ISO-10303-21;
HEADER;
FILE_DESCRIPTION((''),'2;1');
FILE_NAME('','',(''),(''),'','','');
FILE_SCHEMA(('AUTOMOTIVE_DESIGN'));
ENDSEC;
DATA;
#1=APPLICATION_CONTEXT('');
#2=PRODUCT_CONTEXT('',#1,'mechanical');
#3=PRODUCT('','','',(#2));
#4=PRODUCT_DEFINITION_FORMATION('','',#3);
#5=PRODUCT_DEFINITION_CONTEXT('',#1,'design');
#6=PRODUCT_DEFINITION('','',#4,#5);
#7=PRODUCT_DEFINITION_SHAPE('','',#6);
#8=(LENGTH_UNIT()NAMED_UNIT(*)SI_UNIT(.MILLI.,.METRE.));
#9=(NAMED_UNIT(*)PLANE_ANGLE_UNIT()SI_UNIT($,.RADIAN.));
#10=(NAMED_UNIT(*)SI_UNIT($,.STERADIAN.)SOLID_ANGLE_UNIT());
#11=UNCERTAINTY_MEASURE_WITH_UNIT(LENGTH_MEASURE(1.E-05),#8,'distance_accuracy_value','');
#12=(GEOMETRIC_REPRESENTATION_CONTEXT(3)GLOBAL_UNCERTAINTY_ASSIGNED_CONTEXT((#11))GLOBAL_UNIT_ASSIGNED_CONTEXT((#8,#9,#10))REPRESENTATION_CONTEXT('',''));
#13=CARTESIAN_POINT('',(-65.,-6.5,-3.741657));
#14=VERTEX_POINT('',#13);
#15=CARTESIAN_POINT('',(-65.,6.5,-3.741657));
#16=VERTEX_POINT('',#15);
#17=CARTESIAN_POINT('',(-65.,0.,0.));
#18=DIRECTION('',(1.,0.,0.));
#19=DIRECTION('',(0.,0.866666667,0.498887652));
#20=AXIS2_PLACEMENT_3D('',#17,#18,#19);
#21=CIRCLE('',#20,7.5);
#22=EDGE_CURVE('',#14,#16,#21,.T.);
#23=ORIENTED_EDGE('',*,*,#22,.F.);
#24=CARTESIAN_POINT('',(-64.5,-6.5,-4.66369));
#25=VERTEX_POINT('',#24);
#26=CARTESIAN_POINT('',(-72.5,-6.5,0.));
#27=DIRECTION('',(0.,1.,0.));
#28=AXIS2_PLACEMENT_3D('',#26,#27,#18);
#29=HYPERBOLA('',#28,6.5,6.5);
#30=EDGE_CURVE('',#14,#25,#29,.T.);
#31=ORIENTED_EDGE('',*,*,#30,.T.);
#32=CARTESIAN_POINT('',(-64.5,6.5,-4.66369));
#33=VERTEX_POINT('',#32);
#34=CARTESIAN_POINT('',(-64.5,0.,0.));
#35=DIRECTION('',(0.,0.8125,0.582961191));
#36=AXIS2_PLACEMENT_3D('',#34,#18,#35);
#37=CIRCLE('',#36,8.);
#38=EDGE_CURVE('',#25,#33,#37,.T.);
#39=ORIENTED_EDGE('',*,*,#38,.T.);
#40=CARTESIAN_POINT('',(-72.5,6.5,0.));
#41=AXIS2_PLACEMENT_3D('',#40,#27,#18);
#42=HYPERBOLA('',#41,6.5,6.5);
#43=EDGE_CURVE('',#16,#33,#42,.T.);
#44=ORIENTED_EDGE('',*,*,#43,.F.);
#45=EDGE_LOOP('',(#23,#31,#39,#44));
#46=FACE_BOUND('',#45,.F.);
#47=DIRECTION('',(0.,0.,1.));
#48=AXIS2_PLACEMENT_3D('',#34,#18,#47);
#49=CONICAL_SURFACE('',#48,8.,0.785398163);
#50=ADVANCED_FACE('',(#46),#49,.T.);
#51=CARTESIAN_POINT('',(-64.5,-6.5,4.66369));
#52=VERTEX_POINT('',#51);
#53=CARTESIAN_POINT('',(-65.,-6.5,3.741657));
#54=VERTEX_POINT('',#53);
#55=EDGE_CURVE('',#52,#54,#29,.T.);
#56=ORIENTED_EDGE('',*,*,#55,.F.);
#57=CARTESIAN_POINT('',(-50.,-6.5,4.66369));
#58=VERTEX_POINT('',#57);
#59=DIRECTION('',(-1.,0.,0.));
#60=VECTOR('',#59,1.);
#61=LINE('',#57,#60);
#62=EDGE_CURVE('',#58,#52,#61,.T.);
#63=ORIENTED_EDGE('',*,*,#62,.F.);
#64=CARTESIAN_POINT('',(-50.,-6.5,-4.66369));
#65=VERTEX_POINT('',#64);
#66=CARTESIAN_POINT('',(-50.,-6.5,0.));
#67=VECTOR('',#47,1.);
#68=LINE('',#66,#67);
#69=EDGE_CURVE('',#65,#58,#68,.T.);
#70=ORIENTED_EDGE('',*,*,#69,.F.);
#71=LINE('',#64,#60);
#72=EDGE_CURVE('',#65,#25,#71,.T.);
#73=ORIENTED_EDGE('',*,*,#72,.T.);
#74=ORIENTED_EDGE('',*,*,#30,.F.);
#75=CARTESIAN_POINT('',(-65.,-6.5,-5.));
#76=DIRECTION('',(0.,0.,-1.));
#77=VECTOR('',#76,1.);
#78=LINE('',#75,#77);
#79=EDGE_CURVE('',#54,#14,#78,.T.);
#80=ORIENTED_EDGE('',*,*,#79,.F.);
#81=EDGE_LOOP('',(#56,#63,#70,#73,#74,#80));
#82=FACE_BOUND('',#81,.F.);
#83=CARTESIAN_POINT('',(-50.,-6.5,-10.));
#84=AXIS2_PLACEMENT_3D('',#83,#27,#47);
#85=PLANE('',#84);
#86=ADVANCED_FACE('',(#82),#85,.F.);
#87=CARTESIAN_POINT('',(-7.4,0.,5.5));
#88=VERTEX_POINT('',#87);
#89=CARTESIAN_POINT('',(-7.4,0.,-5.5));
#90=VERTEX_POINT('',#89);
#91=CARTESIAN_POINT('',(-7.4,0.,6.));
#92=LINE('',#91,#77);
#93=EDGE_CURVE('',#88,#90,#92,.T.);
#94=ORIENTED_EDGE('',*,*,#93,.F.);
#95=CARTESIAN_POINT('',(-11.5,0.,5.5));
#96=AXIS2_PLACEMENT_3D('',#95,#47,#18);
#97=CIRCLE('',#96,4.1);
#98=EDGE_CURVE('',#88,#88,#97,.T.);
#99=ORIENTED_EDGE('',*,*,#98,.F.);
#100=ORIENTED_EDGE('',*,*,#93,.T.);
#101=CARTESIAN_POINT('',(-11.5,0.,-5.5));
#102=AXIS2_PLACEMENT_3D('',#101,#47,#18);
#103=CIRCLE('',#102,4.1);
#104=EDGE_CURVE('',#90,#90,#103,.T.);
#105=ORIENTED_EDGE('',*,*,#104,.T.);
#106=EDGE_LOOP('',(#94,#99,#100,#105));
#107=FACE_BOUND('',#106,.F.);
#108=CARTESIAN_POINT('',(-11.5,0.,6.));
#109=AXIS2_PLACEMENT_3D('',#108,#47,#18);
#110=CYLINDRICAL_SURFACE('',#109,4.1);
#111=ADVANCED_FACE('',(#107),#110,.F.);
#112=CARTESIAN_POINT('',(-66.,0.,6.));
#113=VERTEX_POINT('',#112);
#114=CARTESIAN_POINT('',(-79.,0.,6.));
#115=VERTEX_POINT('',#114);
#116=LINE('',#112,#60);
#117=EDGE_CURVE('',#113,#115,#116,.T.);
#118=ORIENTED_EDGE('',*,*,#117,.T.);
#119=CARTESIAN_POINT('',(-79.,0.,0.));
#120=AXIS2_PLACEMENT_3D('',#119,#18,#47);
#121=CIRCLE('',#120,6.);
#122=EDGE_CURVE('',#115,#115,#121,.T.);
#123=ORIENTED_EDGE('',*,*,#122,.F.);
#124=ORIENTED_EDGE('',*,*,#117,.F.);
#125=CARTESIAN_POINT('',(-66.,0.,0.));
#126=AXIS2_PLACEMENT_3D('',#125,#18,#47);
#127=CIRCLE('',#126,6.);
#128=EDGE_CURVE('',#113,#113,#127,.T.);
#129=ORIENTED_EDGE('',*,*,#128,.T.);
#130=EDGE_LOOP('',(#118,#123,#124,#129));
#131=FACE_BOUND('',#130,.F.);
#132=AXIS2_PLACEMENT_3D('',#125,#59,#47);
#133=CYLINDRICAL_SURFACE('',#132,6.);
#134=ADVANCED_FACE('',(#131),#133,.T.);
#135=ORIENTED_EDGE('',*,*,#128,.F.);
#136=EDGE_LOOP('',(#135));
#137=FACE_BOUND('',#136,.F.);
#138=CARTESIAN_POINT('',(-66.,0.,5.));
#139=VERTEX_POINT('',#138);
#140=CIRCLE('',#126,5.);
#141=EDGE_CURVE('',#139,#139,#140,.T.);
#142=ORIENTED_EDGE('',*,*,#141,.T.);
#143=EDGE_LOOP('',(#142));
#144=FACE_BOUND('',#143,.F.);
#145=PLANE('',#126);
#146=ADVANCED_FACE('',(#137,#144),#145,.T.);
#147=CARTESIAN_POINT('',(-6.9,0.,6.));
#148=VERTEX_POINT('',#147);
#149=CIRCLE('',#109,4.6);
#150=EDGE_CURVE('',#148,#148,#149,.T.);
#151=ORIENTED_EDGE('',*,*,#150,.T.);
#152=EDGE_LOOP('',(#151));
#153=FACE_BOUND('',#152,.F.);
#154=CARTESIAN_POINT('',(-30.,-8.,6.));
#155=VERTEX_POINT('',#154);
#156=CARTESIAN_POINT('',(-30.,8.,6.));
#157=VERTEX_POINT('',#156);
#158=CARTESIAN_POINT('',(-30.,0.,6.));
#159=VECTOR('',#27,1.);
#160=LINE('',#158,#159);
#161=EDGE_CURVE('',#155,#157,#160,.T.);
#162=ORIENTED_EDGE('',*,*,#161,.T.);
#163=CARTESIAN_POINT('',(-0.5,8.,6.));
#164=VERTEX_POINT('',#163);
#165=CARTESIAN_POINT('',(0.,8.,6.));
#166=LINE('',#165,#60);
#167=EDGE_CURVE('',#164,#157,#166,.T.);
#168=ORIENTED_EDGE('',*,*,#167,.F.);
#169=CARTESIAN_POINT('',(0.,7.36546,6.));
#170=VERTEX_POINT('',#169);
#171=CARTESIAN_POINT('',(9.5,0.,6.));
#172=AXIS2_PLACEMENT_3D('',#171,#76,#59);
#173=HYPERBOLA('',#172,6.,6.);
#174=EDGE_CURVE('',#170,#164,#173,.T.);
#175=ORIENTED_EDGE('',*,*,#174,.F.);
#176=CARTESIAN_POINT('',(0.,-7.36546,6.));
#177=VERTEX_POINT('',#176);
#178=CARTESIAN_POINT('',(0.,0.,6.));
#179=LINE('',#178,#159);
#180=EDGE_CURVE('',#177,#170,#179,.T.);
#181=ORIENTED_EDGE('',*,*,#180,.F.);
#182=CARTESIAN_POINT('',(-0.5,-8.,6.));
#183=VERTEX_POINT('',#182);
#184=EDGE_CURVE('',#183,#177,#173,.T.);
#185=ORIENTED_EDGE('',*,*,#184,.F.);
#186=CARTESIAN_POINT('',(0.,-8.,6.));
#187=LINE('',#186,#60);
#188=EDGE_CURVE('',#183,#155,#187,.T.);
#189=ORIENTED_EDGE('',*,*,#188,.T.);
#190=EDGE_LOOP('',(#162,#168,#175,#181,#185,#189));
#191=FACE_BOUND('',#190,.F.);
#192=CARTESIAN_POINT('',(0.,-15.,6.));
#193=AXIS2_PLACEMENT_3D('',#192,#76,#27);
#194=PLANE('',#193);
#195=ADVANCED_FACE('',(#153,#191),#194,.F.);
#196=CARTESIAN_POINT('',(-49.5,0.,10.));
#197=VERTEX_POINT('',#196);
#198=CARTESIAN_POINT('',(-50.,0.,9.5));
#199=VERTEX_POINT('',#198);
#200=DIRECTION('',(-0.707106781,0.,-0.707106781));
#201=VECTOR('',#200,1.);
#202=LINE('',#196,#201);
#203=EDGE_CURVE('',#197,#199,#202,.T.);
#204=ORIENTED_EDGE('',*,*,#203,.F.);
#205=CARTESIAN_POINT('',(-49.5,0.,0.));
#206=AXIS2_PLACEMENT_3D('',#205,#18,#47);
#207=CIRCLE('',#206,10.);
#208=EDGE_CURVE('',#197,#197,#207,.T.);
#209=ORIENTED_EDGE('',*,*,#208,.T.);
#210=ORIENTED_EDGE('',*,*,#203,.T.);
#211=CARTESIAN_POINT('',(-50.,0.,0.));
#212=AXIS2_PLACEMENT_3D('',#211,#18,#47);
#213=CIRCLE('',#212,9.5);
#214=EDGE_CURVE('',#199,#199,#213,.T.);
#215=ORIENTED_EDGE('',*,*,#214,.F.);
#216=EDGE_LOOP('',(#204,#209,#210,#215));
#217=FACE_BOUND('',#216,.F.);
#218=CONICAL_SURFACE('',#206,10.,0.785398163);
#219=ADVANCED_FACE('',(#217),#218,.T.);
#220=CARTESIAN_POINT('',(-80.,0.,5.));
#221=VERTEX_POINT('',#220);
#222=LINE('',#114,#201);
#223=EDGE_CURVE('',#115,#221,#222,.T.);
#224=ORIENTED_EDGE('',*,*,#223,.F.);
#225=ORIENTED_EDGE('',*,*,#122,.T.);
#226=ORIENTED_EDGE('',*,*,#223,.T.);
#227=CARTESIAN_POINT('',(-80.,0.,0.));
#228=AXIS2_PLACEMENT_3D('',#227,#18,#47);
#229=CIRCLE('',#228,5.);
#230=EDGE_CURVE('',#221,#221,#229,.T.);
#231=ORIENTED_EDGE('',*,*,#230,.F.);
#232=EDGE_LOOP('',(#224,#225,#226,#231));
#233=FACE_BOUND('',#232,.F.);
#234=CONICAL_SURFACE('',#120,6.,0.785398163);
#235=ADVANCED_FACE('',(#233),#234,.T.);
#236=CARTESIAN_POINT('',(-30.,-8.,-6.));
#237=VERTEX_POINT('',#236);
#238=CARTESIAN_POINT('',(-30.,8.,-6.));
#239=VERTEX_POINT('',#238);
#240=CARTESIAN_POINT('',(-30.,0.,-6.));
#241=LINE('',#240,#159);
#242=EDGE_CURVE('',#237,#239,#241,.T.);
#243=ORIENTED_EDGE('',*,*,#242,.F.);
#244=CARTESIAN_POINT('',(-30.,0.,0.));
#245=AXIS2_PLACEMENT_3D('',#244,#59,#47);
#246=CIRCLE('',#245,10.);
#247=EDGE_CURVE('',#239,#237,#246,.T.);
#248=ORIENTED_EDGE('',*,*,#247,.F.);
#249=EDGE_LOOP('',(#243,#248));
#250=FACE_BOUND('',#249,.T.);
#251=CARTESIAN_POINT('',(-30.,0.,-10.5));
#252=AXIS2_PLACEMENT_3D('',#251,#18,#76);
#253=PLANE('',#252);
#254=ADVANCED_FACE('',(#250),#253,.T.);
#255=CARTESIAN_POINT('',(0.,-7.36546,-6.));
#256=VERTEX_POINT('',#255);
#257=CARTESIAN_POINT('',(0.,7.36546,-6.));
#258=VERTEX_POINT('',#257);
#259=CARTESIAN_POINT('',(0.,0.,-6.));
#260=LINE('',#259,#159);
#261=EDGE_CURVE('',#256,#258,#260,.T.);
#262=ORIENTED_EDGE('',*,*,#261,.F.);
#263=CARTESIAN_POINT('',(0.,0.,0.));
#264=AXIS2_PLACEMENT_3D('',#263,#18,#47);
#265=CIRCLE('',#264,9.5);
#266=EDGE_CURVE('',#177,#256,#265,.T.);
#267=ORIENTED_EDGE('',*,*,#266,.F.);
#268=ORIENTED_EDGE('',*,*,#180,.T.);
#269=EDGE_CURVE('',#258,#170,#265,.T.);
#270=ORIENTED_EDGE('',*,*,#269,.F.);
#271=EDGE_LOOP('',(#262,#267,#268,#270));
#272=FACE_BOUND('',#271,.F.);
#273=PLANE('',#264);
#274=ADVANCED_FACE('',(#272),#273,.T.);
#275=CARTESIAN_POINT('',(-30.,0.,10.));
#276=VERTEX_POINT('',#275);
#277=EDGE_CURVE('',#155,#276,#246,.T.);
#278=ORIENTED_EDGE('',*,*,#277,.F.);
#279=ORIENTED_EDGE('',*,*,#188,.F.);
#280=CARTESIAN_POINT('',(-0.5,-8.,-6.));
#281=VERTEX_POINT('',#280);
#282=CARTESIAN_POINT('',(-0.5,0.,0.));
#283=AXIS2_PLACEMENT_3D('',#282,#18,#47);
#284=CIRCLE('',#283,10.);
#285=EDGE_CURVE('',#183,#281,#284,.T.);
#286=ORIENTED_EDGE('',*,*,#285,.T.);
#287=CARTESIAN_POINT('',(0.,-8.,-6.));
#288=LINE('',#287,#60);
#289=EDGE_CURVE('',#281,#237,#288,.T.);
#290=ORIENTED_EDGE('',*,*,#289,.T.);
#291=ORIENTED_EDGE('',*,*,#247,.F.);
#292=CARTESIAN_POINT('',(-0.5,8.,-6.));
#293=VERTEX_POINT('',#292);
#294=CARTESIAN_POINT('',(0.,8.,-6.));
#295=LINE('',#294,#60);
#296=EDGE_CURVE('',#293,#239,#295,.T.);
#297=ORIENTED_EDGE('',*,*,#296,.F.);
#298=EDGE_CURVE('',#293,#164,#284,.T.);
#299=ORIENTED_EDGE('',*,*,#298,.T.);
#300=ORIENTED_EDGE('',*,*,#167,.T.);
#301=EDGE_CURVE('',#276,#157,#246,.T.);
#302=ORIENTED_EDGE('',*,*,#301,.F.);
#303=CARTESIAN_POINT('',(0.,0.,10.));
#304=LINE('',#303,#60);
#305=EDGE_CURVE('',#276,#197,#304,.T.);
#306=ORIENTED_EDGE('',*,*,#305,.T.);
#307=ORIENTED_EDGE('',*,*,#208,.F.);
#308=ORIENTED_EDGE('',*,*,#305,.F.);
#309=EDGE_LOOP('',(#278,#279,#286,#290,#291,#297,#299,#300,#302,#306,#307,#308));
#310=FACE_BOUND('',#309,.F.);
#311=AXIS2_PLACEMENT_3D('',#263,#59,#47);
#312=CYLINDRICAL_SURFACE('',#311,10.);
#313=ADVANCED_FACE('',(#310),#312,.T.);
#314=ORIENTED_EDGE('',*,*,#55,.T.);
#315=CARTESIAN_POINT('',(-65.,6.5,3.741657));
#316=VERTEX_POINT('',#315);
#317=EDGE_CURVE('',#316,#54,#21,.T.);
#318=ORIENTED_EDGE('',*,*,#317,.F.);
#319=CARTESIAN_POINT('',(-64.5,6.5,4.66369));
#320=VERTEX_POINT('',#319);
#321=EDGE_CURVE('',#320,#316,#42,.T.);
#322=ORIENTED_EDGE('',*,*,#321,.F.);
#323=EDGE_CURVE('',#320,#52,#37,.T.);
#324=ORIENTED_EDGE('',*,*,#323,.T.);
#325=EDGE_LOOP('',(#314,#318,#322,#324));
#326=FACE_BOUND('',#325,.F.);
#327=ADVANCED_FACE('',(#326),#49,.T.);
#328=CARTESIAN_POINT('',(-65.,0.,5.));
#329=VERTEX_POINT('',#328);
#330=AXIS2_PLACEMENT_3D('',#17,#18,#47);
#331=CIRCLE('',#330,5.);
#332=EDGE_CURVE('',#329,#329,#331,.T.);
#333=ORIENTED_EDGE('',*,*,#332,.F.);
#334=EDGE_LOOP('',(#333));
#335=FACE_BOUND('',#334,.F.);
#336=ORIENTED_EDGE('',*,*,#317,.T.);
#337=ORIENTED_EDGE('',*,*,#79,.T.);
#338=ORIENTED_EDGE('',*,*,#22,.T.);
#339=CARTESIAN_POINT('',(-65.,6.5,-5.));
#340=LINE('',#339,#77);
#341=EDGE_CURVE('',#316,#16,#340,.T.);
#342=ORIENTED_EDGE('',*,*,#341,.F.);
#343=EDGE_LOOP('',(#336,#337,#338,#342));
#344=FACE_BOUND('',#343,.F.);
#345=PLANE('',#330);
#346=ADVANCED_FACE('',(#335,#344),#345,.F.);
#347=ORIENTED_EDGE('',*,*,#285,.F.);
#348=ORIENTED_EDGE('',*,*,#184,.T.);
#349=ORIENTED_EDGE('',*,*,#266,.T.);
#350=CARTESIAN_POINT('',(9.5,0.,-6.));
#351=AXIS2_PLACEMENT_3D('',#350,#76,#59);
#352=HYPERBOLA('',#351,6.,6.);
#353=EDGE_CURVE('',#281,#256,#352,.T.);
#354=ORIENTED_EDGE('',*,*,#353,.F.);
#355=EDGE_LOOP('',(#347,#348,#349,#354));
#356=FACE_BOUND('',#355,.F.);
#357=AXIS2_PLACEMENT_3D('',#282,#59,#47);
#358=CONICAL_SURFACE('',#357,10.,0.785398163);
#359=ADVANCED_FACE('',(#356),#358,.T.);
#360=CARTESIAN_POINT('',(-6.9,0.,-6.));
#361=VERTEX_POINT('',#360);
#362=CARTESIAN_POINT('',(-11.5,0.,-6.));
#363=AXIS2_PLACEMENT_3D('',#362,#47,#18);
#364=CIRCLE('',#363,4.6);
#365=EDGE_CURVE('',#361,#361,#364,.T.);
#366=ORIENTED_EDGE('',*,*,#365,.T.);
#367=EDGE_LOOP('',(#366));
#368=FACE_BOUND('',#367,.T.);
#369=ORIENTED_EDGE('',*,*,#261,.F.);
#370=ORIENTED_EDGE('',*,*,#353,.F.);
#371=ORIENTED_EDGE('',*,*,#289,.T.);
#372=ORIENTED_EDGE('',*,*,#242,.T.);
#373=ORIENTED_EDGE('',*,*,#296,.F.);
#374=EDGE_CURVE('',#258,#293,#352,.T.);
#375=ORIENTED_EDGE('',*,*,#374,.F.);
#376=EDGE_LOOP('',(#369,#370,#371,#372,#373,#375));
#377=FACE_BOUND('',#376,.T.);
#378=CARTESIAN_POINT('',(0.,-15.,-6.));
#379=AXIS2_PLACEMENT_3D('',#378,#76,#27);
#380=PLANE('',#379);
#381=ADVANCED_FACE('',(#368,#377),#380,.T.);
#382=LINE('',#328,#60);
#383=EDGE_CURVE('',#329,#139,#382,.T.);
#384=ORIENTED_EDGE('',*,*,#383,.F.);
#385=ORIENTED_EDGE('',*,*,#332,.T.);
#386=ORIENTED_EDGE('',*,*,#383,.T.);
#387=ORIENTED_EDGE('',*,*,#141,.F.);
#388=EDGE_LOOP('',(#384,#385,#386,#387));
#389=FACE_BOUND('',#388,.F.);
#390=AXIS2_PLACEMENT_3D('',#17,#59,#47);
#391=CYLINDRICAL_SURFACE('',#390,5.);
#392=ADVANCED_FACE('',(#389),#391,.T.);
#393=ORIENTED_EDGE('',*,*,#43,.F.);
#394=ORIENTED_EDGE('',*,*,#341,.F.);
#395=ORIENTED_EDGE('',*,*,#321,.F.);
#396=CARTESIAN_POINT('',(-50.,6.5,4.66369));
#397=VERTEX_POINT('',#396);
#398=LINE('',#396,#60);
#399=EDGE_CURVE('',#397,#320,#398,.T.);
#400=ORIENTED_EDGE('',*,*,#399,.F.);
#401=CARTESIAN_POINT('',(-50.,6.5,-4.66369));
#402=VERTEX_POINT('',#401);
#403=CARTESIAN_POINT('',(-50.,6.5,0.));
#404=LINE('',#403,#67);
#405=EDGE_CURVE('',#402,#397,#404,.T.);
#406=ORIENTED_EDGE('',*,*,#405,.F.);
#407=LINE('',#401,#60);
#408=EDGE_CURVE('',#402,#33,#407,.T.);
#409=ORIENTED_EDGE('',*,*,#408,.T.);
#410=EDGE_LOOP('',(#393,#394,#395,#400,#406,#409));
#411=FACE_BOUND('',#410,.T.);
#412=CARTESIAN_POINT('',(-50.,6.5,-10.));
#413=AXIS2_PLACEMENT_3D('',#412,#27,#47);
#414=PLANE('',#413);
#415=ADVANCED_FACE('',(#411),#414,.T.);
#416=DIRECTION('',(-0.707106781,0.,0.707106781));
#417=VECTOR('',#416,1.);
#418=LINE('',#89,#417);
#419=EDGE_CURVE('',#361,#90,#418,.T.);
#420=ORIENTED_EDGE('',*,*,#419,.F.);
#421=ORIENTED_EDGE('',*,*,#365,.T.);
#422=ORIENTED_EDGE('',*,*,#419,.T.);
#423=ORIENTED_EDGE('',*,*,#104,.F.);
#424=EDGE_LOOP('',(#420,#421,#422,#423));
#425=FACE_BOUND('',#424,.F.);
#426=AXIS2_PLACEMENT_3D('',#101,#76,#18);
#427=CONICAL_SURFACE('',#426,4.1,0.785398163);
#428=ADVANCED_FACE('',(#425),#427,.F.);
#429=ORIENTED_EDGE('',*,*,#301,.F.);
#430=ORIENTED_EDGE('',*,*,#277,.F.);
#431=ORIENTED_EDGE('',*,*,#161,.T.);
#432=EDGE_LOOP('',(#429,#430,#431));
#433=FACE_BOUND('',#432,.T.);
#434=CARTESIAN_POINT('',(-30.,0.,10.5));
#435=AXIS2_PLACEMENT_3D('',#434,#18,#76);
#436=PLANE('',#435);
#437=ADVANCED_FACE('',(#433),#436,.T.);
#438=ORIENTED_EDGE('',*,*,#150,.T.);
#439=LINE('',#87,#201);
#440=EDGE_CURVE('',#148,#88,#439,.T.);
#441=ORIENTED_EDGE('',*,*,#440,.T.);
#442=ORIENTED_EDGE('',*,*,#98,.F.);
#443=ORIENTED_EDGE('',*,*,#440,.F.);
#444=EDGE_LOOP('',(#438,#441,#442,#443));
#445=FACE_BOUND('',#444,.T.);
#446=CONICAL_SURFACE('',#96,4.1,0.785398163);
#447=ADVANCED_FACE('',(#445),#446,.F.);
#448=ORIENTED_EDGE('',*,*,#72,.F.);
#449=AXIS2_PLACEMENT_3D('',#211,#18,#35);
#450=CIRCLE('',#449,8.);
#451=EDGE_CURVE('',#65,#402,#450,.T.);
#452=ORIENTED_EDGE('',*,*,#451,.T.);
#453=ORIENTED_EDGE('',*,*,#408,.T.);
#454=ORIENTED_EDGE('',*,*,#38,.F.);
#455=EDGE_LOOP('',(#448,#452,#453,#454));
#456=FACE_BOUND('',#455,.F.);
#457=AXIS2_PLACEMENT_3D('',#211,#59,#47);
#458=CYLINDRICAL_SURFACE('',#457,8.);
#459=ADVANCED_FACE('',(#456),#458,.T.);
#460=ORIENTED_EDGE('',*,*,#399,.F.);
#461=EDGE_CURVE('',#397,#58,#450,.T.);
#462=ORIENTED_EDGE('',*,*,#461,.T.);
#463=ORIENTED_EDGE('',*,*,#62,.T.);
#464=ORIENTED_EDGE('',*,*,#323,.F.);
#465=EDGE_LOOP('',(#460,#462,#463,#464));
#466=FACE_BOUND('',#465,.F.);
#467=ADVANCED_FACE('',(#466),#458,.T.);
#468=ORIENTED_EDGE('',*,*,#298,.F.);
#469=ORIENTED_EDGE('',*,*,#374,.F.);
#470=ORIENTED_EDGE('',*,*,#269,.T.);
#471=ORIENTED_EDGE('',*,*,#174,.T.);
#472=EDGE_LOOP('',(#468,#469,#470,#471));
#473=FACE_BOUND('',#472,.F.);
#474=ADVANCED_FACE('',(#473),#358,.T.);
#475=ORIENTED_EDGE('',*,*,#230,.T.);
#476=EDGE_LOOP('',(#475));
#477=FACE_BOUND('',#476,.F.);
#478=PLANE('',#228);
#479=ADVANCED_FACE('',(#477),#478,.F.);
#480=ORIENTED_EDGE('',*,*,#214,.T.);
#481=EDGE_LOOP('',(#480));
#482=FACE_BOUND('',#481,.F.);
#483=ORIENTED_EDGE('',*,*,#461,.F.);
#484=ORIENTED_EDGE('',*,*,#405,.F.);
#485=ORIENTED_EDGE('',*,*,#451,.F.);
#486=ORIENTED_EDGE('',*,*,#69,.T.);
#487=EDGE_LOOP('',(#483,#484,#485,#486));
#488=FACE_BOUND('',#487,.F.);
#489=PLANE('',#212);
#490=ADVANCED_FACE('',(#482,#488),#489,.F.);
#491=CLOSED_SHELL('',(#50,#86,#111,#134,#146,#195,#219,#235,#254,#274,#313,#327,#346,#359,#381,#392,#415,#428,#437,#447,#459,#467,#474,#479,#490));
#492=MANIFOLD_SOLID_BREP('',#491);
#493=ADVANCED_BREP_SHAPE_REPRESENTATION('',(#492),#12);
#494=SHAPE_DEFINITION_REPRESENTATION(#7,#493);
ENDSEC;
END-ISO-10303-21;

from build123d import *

# Parameters (mm, degrees)
CHANFREIN1_SIZE         = 0.5
CHANFREIN2_SIZE         = 1
ESQUISSE2_W             = 9
ESQUISSE2_H             = 30
ENL_V_MAT_EXTRU_1_DEPTH = 30
ENL_V_MAT_EXTRU_2_REACH = 84.195
ESQUISSE3_R             = 4.1
CHANFREIN3_SIZE         = 0.5
ENL_V_MAT_EXTRU_3_REACH = 53.962
ESQUISSE5_W             = 20
ESQUISSE5_H             = 3.5


with BuildPart() as part:
    # Esquisse1 → Révolution1 (revolve)
    with BuildSketch(Plane.XY, mode=Mode.PRIVATE) as r_volution1_sk:
        Polygon((-50, 8), (-65, 8), (-65, 5), (-66, 5), (-66, 6), (-80, 6), (-80, 0), (0, 0), (0, 10), (-50, 10), align=None)
    revolve(r_volution1_sk.sketch.rotate(Axis((0, 0, 0), (1, 0, 0)), 90), axis=Axis((0, 0, 0), (1, 0, 0)))

    # Chanfrein1
    chanfrein1_edges = [part.edges().sort_by_distance(p)[0] for p in [
        (-50, 0, -10),
        (0, 0, -10),
        (-65, 0, -8),
    ]]
    chamfer(chanfrein1_edges, length=CHANFREIN1_SIZE)

    # Chanfrein2
    chanfrein2_edges = [part.edges().sort_by_distance(p)[0] for p in [
        (-80, 0, -6),
    ]]
    chamfer(chanfrein2_edges, length=CHANFREIN2_SIZE)

    # Esquisse2 → Enlèv. mat.-Extru.1 (cut)
    with BuildSketch(Plane(origin=(0, 0, 0), x_dir=(0, 0, -1), z_dir=(1, 0, 0))):
        with Locations((-10.5, 0)):
            Rectangle(ESQUISSE2_W, ESQUISSE2_H)
        with Locations((10.5, 0)):
            Rectangle(ESQUISSE2_W, ESQUISSE2_H)
    extrude(amount=-ENL_V_MAT_EXTRU_1_DEPTH, mode=Mode.SUBTRACT)

    # Esquisse3 → Enlèv. mat.-Extru.2 (cut, up to next)
    with BuildSketch(Plane.XY.offset(6), mode=Mode.PRIVATE) as enl_v_mat_extru_2_sk1:
        with Locations((-11.5, 0)):
            Circle(ESQUISSE3_R)
    enl_v_mat_extru_2_tool1 = extrude(enl_v_mat_extru_2_sk1.sketch, amount=-ENL_V_MAT_EXTRU_2_REACH, mode=Mode.PRIVATE) & part.part
    add(enl_v_mat_extru_2_tool1.solids().sort_by_distance((-11.5, 0, 6))[0], mode=Mode.SUBTRACT)

    # Chanfrein3
    chanfrein3_edges = [part.edges().sort_by_distance(p)[0] for p in [
        (-15.6, 0, 6),
        (-15.6, 0, -6),
    ]]
    chamfer(chanfrein3_edges, length=CHANFREIN3_SIZE)

    # Esquisse5 → Enlèv. mat.-Extru.3 (cut, up to next)
    with BuildSketch(Plane.ZY.offset(50), mode=Mode.PRIVATE) as enl_v_mat_extru_3_sk1:
        with Locations((0, 8.25)):
            Rectangle(ESQUISSE5_W, ESQUISSE5_H)
    enl_v_mat_extru_3_tool1 = extrude(enl_v_mat_extru_3_sk1.sketch, amount=ENL_V_MAT_EXTRU_3_REACH, mode=Mode.PRIVATE) & part.part
    # Esquisse5 → Enlèv. mat.-Extru.3 (cut, up to next)
    with BuildSketch(Plane.ZY.offset(50), mode=Mode.PRIVATE) as enl_v_mat_extru_3_sk2:
        with Locations((0, -8.25)):
            Rectangle(ESQUISSE5_W, ESQUISSE5_H)
    enl_v_mat_extru_3_tool2 = extrude(enl_v_mat_extru_3_sk2.sketch, amount=ENL_V_MAT_EXTRU_3_REACH, mode=Mode.PRIVATE) & part.part
    add(enl_v_mat_extru_3_tool1.solids().sort_by_distance((-50, 8.25, 0))[0], mode=Mode.SUBTRACT)
    add(enl_v_mat_extru_3_tool2.solids().sort_by_distance((-50, -8.25, 0))[0], mode=Mode.SUBTRACT)


solid = part.part
